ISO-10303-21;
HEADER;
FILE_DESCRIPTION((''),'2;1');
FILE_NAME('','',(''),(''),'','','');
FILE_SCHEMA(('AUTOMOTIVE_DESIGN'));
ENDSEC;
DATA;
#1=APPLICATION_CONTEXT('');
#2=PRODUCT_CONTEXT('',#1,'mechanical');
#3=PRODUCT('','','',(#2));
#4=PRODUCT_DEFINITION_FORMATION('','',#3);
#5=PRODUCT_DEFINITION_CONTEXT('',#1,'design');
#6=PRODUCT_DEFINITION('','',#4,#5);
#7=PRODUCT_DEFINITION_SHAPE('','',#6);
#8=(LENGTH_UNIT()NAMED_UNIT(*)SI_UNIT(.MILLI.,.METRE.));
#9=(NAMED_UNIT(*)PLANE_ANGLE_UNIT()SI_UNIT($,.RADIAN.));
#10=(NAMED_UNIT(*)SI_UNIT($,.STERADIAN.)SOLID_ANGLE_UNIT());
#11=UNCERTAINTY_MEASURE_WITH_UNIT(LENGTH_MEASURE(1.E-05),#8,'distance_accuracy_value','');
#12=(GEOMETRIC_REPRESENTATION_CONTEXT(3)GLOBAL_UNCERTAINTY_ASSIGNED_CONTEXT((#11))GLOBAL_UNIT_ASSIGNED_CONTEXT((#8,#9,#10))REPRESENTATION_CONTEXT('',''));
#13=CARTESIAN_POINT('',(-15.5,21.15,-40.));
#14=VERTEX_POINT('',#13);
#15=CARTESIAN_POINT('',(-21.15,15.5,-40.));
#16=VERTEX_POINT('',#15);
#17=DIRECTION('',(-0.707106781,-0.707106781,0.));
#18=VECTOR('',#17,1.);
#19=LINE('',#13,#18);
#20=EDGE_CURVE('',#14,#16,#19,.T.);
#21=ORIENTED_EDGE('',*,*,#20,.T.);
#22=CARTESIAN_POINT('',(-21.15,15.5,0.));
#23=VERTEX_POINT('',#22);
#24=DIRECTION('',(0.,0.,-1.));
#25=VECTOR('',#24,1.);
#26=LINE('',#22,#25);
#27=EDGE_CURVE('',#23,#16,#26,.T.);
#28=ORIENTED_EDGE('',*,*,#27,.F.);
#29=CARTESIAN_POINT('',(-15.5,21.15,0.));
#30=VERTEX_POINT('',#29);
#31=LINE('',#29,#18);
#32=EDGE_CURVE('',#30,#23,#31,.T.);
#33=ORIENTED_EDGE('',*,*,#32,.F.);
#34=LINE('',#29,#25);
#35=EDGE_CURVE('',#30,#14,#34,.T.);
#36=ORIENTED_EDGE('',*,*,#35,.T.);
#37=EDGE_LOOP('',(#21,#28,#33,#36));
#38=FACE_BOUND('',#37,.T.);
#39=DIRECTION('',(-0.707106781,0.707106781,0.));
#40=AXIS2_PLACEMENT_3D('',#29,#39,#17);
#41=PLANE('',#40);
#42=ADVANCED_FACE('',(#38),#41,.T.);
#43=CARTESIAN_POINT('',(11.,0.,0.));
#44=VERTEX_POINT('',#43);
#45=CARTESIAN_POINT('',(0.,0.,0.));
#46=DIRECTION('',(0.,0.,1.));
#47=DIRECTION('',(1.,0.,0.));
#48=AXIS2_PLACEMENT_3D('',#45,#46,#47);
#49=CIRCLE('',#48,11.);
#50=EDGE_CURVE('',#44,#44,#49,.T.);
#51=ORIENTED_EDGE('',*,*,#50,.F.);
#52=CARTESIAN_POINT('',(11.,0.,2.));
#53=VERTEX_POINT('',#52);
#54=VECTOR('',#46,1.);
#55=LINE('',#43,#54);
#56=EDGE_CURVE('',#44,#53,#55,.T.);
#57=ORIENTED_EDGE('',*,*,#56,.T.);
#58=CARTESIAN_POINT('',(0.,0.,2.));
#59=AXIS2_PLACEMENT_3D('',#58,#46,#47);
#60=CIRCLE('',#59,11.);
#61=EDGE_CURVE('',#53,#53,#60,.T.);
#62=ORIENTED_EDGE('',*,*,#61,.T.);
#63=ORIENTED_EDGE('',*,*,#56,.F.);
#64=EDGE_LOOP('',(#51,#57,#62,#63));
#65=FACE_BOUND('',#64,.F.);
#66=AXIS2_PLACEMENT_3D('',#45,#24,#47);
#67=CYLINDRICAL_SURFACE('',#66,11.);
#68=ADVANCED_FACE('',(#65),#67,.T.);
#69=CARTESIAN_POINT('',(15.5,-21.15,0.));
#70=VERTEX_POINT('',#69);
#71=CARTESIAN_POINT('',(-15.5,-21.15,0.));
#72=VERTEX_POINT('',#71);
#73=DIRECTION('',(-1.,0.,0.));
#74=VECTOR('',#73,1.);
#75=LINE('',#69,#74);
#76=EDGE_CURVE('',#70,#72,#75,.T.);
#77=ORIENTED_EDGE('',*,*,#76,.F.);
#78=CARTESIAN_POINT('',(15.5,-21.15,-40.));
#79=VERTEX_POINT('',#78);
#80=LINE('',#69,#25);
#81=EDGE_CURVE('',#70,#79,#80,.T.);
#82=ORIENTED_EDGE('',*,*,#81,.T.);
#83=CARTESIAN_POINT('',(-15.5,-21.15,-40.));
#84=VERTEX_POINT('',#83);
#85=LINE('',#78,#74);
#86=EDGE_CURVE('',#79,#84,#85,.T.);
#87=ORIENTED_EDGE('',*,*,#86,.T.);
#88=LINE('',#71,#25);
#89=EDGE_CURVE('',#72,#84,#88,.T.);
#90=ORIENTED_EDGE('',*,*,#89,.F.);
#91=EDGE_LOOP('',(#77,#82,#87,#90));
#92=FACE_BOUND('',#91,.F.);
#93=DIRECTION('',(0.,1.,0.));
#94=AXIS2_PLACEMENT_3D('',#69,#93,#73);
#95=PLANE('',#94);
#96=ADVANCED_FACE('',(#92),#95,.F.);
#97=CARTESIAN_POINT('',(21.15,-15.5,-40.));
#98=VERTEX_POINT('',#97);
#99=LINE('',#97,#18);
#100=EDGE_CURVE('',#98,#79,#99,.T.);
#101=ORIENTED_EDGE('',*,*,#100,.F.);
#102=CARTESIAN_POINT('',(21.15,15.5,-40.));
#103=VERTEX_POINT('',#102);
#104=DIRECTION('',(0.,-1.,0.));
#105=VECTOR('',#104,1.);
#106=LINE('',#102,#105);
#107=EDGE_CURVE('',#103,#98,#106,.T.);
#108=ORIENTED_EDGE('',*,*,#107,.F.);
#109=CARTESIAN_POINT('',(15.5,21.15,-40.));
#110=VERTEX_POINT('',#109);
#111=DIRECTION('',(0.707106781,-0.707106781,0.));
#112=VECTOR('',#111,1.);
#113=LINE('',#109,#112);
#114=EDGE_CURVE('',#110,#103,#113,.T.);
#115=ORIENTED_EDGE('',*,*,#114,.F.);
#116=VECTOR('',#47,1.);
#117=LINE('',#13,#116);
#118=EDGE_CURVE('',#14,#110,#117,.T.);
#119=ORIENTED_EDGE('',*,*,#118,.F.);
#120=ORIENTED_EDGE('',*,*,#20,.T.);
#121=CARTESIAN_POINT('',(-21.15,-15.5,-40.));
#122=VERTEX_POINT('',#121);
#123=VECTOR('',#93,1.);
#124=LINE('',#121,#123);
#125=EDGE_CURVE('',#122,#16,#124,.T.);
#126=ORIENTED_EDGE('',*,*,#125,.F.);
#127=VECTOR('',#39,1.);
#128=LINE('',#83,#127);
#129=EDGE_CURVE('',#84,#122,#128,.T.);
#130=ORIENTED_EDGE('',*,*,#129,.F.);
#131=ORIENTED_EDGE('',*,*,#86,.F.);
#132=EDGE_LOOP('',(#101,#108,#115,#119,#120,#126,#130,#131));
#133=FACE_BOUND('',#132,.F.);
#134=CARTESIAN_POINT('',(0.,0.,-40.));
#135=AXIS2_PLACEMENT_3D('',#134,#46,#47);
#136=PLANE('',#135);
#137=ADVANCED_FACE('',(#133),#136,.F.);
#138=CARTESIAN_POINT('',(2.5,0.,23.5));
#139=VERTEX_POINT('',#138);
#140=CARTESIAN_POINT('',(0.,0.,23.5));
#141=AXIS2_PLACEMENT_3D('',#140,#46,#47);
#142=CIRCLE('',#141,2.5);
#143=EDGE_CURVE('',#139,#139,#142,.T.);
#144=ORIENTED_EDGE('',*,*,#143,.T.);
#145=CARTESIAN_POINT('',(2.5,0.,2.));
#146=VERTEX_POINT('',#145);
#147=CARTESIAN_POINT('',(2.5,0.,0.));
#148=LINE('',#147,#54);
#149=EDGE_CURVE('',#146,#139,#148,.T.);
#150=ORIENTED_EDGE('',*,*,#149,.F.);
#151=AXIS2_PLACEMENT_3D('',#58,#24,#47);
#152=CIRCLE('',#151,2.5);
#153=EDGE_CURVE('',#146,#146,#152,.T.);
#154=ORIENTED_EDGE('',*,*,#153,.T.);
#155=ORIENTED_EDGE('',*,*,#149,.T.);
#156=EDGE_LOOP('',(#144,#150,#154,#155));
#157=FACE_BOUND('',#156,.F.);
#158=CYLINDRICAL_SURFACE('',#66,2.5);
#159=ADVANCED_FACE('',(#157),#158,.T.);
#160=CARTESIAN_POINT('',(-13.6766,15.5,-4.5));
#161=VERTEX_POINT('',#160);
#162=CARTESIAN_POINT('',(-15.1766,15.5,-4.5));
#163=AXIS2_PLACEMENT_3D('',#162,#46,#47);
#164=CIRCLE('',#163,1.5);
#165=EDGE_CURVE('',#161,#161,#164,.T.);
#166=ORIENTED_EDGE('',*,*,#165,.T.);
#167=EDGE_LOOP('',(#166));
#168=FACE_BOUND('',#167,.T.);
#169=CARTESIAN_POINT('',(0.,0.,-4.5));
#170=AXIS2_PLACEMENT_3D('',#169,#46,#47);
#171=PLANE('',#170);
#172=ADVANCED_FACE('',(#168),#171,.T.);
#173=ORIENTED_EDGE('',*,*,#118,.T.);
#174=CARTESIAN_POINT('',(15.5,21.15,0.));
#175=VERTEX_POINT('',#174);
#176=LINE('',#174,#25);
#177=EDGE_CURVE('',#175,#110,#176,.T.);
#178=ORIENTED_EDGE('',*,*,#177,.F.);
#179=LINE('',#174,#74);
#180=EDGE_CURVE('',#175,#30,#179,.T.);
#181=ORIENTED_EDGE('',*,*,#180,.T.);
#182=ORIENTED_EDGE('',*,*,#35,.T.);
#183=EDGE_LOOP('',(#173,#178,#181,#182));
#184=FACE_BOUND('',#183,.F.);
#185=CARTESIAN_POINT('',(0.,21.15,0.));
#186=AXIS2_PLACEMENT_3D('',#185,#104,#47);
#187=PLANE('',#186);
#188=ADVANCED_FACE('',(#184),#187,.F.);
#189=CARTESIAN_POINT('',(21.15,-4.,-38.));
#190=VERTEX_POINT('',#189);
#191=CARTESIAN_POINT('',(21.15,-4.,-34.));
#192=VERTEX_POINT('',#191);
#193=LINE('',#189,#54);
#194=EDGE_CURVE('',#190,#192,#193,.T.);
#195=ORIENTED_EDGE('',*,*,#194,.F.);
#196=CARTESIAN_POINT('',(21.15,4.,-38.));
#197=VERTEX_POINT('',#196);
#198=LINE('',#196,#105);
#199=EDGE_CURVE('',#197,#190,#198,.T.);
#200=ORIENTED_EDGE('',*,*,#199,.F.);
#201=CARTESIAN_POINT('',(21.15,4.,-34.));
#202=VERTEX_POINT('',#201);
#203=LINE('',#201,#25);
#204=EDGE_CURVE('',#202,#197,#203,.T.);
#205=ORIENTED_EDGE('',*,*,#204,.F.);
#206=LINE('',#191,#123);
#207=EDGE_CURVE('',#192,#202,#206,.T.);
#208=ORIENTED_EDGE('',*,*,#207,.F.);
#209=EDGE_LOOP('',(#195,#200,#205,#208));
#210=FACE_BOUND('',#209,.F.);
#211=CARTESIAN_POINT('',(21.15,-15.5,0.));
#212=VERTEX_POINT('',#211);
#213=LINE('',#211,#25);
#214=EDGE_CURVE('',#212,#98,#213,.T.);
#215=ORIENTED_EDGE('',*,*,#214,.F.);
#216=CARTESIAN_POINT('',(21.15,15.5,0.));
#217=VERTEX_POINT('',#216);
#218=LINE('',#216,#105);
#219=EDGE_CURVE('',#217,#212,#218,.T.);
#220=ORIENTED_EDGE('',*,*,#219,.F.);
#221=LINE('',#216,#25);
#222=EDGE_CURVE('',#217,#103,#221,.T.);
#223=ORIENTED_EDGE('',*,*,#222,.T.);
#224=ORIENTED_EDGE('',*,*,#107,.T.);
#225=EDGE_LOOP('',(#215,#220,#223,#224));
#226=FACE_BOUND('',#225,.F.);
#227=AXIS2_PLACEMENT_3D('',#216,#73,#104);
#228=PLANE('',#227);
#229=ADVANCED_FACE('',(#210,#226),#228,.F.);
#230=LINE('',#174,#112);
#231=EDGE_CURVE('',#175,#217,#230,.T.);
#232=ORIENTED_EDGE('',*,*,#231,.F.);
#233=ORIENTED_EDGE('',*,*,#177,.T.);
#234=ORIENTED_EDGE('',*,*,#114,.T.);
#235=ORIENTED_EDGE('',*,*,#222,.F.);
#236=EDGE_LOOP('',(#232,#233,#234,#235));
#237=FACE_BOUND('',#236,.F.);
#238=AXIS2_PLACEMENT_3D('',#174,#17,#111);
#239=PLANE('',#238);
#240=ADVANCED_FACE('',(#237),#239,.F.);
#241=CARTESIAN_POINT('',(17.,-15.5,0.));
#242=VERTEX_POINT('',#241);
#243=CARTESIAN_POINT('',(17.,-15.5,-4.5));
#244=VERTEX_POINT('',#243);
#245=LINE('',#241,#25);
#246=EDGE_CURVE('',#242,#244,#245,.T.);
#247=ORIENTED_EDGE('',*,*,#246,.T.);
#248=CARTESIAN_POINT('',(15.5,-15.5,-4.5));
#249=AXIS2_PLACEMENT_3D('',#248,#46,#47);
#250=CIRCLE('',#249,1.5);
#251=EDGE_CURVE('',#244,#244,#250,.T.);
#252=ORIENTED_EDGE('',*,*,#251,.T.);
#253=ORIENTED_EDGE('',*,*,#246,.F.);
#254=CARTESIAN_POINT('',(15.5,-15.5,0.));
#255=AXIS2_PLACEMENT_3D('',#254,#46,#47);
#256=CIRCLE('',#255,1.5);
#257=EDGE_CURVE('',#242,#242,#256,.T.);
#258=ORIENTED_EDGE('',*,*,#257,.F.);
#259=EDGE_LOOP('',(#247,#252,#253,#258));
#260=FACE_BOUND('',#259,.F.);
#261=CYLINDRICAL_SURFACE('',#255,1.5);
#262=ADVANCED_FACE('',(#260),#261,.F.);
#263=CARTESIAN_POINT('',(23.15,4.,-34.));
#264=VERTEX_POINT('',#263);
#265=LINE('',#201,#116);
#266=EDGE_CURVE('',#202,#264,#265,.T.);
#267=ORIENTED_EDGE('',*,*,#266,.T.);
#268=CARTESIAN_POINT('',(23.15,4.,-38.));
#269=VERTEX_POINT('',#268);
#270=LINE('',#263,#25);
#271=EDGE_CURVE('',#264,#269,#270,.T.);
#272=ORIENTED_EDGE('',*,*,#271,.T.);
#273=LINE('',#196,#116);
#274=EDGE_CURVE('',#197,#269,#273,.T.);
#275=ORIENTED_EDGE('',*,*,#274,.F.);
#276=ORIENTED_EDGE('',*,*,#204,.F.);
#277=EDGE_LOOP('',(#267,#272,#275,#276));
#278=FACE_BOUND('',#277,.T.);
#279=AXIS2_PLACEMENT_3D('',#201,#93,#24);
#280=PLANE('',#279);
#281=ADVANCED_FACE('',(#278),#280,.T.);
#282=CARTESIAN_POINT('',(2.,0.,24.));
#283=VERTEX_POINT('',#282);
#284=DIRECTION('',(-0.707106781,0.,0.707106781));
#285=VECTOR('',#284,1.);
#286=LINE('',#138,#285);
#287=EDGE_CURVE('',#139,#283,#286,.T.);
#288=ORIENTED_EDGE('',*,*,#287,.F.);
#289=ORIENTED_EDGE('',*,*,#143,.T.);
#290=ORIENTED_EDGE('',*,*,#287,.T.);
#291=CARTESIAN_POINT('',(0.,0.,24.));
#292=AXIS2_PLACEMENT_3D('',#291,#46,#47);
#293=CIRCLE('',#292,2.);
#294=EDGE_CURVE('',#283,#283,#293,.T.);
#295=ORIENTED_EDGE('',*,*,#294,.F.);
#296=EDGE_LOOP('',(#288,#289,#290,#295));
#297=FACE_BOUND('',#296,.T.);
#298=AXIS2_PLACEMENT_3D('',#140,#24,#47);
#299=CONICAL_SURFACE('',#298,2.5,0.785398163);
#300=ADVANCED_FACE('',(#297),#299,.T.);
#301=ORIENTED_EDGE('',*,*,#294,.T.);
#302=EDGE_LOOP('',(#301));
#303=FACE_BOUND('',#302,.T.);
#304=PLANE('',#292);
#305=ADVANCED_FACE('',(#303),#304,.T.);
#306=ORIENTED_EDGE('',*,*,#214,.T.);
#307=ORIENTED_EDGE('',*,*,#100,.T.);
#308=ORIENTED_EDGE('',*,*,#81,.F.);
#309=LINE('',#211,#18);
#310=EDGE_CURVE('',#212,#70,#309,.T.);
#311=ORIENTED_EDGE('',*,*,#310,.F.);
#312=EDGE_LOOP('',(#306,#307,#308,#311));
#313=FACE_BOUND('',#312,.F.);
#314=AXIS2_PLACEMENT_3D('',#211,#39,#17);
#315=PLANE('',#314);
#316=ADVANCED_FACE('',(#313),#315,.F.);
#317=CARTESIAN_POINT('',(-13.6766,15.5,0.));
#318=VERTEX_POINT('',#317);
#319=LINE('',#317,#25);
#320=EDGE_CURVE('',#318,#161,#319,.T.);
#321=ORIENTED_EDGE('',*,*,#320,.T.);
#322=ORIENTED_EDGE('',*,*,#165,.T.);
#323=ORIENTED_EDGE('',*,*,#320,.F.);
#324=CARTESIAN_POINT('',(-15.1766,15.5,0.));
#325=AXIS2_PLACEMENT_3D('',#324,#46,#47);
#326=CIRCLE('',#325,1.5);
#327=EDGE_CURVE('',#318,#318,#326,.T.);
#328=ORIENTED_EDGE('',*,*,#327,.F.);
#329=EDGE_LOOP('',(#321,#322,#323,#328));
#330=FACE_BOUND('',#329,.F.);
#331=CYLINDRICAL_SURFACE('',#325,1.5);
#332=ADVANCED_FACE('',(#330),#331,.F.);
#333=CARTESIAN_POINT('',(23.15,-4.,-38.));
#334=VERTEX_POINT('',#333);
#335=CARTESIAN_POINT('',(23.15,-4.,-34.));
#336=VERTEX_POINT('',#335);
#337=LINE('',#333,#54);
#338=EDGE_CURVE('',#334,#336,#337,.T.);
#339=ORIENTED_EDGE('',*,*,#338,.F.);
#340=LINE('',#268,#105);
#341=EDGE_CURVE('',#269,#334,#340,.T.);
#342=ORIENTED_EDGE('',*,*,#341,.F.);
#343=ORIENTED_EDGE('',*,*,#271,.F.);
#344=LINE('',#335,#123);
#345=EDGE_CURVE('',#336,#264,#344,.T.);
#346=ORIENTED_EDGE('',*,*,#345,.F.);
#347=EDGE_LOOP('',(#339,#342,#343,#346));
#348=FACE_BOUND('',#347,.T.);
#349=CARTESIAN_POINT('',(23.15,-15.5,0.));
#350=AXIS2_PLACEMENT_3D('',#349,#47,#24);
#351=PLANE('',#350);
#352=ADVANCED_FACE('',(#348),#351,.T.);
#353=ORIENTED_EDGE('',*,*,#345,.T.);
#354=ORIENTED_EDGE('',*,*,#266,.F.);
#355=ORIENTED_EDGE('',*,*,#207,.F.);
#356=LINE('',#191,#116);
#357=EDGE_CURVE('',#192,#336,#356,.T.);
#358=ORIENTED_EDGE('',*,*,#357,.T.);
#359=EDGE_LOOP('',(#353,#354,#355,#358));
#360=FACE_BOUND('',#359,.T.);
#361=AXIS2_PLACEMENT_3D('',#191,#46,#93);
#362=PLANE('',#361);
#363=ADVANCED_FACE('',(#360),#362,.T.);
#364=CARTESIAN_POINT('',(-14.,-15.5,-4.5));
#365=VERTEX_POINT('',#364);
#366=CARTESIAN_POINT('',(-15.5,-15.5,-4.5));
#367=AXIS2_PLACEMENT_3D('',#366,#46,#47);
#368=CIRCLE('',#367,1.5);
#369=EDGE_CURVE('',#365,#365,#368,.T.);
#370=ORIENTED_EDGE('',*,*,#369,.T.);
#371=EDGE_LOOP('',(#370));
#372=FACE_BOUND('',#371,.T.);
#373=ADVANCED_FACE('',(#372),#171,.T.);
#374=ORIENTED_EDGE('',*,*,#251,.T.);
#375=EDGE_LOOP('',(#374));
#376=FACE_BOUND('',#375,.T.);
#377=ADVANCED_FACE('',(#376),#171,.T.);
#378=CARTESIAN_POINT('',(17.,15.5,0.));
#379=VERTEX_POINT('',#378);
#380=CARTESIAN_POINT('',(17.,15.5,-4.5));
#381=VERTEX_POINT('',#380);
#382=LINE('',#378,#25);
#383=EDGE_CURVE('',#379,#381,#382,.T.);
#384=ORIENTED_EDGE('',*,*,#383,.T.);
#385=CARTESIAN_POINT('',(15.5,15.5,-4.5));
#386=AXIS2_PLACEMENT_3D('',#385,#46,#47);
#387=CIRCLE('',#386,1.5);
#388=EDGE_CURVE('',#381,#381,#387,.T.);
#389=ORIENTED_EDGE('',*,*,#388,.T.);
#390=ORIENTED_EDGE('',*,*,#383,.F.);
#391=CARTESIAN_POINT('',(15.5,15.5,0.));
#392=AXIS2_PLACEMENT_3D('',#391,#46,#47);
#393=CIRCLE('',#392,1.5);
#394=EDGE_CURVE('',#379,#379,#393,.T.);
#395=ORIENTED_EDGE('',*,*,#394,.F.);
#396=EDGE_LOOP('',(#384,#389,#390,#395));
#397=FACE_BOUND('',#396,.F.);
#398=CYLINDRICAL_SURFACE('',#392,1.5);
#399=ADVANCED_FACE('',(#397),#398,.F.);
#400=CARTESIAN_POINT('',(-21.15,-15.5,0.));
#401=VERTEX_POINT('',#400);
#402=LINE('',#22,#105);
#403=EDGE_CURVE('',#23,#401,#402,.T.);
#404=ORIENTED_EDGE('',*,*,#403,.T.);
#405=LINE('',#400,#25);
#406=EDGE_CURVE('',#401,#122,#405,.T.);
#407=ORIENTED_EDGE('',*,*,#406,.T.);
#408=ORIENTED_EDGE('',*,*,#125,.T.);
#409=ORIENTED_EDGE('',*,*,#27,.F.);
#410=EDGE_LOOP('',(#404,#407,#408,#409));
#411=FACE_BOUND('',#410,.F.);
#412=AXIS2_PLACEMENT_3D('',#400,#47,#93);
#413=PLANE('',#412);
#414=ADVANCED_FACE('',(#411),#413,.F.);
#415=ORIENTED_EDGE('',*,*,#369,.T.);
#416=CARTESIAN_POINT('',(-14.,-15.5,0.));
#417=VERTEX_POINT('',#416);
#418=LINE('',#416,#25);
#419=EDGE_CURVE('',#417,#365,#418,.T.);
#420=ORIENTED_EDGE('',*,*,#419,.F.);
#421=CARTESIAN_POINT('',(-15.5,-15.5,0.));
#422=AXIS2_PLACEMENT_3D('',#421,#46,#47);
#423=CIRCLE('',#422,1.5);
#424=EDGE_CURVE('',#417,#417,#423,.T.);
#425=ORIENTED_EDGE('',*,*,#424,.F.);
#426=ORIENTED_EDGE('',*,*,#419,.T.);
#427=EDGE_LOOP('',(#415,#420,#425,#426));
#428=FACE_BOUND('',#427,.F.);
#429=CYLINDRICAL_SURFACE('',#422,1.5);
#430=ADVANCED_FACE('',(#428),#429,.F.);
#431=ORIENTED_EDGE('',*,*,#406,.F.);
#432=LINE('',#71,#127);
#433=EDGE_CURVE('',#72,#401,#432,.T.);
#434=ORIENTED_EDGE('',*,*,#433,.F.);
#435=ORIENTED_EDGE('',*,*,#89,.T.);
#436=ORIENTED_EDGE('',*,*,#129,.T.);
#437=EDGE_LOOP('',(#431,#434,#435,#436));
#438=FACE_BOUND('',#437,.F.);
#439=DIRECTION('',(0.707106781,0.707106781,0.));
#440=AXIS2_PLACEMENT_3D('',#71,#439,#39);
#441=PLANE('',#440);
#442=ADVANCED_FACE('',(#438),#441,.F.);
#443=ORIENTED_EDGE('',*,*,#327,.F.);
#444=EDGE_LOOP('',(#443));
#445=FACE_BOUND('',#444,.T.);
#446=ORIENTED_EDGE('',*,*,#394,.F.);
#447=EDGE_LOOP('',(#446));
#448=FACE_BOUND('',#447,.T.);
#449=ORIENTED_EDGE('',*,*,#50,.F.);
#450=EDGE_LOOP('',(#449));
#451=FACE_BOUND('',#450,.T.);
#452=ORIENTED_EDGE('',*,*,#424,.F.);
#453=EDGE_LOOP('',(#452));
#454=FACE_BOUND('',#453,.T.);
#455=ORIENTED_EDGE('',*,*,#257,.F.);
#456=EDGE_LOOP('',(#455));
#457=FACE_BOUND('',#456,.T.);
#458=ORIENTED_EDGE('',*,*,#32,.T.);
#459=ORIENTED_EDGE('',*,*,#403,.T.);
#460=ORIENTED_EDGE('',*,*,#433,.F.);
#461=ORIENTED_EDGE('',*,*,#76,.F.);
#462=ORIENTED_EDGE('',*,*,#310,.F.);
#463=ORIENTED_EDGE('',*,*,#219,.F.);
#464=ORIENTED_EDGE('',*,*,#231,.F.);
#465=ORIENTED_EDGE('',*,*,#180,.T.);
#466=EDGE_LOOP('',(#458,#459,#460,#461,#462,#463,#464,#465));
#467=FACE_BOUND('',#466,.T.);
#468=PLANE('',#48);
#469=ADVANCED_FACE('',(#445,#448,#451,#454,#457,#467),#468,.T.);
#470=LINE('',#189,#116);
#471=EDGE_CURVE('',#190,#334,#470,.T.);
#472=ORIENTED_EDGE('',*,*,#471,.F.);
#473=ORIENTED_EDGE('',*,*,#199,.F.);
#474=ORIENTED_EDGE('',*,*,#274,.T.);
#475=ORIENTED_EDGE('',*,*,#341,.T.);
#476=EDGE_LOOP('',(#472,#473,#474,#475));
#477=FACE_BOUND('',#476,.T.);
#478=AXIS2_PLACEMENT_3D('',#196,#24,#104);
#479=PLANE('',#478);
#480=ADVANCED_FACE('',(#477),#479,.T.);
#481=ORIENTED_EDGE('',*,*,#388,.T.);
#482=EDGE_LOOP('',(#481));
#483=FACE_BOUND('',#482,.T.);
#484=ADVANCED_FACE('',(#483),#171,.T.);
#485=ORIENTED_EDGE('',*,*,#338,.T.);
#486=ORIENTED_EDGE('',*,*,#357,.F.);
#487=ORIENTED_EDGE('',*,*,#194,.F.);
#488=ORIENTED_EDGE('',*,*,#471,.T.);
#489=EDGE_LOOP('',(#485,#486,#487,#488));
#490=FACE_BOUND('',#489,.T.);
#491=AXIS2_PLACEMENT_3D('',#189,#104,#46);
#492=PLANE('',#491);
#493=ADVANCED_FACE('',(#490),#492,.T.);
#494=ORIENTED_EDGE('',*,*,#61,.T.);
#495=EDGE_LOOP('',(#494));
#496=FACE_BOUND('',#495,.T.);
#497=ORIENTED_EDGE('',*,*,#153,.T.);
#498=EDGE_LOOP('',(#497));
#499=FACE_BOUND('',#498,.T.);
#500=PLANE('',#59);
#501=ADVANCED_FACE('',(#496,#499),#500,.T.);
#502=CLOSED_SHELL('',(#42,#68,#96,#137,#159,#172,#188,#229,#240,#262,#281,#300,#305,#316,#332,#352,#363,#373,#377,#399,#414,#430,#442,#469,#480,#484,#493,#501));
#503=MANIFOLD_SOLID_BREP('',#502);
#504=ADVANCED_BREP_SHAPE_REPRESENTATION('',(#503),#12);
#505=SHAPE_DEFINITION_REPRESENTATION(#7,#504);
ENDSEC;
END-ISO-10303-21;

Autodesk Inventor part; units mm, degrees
ref_plane "YZ Plane" through (0, 0, 0) normal (1, 0, 0) x (0, 1, 0)
ref_plane "XZ Plane" through (0, 0, 0) normal (0, 1, 0) x (-1, 0, 0)
ref_plane "XY Plane" through (0, 0, 0) normal (0, 0, 1) x (1, 0, 0)
sketch "Sketch1" plane through (0, 0, 0) normal (0, 0, 1) x (1, 0, 0)
  line L0 (15.5, -21.15) -> (-15.5, -21.15)
  line L1 (-21.15, -15.5) -> (-21.15, 15.5)
  line L2 (-15.5, 21.15) -> (15.5, 21.15)
  line L3 (21.15, 15.5) -> (21.15, -15.5)
  line L4 (21.15, -21.15) -> (-21.15, 21.15) construction
  line L5 (-21.15, -21.15) -> (21.15, 21.15) construction
  line L6 (-15.5, 21.15) -> (-21.15, 15.5)
  line L7 (-21.15, 0) -> (-21.15, 15.5)
  line L8 (0, 21.15) -> (-15.5, 21.15)
  line L9 (15.5, 21.15) -> (21.15, 15.5)
  line L10 (21.15, -15.5) -> (15.5, -21.15)
  line L11 (-15.5, -21.15) -> (-21.15, -15.5)
  point P0 (0, 0)
  dimension "d0" = 42.3
  dimension "d1" = 42.3
  dimension "d2" = 5.65
  dimension "d3" = 5.65
  dimension "d4" = 15.5
  dimension "d5" = 15.5
extrude "Extrusion1" add sketch "Sketch1" against normal blind 40
sketch "Sketch2" plane through (0, 0, 0) normal (0, 0, 1) x (1, 0, 0)
  circle A0 centre (0, 0) radius 11
  dimension "d8" = 22
extrude "Extrusion2" add sketch "Sketch2" along normal blind 2
sketch "Sketch3" plane through (0, 0, 0) normal (0, 0, 1) x (1, 0, 0)
  circle A0 centre (0, 0) radius 2.5
  dimension "d11" = 5
extrude "Extrusion3" add sketch "Sketch3" along normal blind 24
chamfer "Chamfer1" distance 0.5 angle 45 1 edges at (-2.5, 0, 24)
sketch "Sketch4" plane through (0, 0, 0) normal (0, 0, 1) x (1, 0, 0)
  line L0 (-21.15, 15.5) -> (-21.15, -15.5) projected
  line L1 (-15.5, 21.15) -> (-21.15, 15.5) projected
  circle A0 centre (-15.1766, 15.5) radius 1.5
  circle A1 centre (15.5, 15.5) radius 1.5
  circle A2 centre (-15.5, -15.5) radius 1.5
  circle A3 centre (15.5, -15.5) radius 1.5
  point P0 (0, 0)
  dimension "d18" = 3
  dimension "d19" = 3
  dimension "d20" = 3
  dimension "d21" = 3
extrude "Extrusion4" cut sketch "Sketch4" against normal blind 4.5
sketch "Sketch5" plane through (-15.5, -21.15, 0) normal (0, -1, 0) x (1, 0, 0)
  point P0 (15.5, 0)
sketch "Sketch6" plane through (21.15, -15.5, 0) normal (1, 0, 0) x (0, 0, -1)
  line L0 (40, 0) -> (40, 31) projected
  line L1 (38, 11.5) -> (34, 11.5)
  line L2 (34, 11.5) -> (34, 19.5)
  line L3 (34, 19.5) -> (38, 19.5)
  line L4 (38, 19.5) -> (38, 11.5)
  line L5 (38, 11.5) -> (34, 19.5) construction
  line L6 (34, 11.5) -> (38, 19.5) construction
  line L7 (0, 0) -> (40, 0) projected
  line L8 (0, 31) -> (40, 31) projected
  point P0 (0, 15.5)
  point P1 (40, 15.5)
  point P2 (36, 15.5)
  dimension "d24" = 4
  dimension "d25" = 8
  dimension "d26" = 2
  dimension "d29" = 15.5
  dimension "d30" = 31
extrude "Extrusion5" add sketch "Sketch6" along normal blind 2
equation "\"d3\" = d2"
equation "\"d29\" = 0.5 * d30"
properties part number "Motor BYGHW609"
